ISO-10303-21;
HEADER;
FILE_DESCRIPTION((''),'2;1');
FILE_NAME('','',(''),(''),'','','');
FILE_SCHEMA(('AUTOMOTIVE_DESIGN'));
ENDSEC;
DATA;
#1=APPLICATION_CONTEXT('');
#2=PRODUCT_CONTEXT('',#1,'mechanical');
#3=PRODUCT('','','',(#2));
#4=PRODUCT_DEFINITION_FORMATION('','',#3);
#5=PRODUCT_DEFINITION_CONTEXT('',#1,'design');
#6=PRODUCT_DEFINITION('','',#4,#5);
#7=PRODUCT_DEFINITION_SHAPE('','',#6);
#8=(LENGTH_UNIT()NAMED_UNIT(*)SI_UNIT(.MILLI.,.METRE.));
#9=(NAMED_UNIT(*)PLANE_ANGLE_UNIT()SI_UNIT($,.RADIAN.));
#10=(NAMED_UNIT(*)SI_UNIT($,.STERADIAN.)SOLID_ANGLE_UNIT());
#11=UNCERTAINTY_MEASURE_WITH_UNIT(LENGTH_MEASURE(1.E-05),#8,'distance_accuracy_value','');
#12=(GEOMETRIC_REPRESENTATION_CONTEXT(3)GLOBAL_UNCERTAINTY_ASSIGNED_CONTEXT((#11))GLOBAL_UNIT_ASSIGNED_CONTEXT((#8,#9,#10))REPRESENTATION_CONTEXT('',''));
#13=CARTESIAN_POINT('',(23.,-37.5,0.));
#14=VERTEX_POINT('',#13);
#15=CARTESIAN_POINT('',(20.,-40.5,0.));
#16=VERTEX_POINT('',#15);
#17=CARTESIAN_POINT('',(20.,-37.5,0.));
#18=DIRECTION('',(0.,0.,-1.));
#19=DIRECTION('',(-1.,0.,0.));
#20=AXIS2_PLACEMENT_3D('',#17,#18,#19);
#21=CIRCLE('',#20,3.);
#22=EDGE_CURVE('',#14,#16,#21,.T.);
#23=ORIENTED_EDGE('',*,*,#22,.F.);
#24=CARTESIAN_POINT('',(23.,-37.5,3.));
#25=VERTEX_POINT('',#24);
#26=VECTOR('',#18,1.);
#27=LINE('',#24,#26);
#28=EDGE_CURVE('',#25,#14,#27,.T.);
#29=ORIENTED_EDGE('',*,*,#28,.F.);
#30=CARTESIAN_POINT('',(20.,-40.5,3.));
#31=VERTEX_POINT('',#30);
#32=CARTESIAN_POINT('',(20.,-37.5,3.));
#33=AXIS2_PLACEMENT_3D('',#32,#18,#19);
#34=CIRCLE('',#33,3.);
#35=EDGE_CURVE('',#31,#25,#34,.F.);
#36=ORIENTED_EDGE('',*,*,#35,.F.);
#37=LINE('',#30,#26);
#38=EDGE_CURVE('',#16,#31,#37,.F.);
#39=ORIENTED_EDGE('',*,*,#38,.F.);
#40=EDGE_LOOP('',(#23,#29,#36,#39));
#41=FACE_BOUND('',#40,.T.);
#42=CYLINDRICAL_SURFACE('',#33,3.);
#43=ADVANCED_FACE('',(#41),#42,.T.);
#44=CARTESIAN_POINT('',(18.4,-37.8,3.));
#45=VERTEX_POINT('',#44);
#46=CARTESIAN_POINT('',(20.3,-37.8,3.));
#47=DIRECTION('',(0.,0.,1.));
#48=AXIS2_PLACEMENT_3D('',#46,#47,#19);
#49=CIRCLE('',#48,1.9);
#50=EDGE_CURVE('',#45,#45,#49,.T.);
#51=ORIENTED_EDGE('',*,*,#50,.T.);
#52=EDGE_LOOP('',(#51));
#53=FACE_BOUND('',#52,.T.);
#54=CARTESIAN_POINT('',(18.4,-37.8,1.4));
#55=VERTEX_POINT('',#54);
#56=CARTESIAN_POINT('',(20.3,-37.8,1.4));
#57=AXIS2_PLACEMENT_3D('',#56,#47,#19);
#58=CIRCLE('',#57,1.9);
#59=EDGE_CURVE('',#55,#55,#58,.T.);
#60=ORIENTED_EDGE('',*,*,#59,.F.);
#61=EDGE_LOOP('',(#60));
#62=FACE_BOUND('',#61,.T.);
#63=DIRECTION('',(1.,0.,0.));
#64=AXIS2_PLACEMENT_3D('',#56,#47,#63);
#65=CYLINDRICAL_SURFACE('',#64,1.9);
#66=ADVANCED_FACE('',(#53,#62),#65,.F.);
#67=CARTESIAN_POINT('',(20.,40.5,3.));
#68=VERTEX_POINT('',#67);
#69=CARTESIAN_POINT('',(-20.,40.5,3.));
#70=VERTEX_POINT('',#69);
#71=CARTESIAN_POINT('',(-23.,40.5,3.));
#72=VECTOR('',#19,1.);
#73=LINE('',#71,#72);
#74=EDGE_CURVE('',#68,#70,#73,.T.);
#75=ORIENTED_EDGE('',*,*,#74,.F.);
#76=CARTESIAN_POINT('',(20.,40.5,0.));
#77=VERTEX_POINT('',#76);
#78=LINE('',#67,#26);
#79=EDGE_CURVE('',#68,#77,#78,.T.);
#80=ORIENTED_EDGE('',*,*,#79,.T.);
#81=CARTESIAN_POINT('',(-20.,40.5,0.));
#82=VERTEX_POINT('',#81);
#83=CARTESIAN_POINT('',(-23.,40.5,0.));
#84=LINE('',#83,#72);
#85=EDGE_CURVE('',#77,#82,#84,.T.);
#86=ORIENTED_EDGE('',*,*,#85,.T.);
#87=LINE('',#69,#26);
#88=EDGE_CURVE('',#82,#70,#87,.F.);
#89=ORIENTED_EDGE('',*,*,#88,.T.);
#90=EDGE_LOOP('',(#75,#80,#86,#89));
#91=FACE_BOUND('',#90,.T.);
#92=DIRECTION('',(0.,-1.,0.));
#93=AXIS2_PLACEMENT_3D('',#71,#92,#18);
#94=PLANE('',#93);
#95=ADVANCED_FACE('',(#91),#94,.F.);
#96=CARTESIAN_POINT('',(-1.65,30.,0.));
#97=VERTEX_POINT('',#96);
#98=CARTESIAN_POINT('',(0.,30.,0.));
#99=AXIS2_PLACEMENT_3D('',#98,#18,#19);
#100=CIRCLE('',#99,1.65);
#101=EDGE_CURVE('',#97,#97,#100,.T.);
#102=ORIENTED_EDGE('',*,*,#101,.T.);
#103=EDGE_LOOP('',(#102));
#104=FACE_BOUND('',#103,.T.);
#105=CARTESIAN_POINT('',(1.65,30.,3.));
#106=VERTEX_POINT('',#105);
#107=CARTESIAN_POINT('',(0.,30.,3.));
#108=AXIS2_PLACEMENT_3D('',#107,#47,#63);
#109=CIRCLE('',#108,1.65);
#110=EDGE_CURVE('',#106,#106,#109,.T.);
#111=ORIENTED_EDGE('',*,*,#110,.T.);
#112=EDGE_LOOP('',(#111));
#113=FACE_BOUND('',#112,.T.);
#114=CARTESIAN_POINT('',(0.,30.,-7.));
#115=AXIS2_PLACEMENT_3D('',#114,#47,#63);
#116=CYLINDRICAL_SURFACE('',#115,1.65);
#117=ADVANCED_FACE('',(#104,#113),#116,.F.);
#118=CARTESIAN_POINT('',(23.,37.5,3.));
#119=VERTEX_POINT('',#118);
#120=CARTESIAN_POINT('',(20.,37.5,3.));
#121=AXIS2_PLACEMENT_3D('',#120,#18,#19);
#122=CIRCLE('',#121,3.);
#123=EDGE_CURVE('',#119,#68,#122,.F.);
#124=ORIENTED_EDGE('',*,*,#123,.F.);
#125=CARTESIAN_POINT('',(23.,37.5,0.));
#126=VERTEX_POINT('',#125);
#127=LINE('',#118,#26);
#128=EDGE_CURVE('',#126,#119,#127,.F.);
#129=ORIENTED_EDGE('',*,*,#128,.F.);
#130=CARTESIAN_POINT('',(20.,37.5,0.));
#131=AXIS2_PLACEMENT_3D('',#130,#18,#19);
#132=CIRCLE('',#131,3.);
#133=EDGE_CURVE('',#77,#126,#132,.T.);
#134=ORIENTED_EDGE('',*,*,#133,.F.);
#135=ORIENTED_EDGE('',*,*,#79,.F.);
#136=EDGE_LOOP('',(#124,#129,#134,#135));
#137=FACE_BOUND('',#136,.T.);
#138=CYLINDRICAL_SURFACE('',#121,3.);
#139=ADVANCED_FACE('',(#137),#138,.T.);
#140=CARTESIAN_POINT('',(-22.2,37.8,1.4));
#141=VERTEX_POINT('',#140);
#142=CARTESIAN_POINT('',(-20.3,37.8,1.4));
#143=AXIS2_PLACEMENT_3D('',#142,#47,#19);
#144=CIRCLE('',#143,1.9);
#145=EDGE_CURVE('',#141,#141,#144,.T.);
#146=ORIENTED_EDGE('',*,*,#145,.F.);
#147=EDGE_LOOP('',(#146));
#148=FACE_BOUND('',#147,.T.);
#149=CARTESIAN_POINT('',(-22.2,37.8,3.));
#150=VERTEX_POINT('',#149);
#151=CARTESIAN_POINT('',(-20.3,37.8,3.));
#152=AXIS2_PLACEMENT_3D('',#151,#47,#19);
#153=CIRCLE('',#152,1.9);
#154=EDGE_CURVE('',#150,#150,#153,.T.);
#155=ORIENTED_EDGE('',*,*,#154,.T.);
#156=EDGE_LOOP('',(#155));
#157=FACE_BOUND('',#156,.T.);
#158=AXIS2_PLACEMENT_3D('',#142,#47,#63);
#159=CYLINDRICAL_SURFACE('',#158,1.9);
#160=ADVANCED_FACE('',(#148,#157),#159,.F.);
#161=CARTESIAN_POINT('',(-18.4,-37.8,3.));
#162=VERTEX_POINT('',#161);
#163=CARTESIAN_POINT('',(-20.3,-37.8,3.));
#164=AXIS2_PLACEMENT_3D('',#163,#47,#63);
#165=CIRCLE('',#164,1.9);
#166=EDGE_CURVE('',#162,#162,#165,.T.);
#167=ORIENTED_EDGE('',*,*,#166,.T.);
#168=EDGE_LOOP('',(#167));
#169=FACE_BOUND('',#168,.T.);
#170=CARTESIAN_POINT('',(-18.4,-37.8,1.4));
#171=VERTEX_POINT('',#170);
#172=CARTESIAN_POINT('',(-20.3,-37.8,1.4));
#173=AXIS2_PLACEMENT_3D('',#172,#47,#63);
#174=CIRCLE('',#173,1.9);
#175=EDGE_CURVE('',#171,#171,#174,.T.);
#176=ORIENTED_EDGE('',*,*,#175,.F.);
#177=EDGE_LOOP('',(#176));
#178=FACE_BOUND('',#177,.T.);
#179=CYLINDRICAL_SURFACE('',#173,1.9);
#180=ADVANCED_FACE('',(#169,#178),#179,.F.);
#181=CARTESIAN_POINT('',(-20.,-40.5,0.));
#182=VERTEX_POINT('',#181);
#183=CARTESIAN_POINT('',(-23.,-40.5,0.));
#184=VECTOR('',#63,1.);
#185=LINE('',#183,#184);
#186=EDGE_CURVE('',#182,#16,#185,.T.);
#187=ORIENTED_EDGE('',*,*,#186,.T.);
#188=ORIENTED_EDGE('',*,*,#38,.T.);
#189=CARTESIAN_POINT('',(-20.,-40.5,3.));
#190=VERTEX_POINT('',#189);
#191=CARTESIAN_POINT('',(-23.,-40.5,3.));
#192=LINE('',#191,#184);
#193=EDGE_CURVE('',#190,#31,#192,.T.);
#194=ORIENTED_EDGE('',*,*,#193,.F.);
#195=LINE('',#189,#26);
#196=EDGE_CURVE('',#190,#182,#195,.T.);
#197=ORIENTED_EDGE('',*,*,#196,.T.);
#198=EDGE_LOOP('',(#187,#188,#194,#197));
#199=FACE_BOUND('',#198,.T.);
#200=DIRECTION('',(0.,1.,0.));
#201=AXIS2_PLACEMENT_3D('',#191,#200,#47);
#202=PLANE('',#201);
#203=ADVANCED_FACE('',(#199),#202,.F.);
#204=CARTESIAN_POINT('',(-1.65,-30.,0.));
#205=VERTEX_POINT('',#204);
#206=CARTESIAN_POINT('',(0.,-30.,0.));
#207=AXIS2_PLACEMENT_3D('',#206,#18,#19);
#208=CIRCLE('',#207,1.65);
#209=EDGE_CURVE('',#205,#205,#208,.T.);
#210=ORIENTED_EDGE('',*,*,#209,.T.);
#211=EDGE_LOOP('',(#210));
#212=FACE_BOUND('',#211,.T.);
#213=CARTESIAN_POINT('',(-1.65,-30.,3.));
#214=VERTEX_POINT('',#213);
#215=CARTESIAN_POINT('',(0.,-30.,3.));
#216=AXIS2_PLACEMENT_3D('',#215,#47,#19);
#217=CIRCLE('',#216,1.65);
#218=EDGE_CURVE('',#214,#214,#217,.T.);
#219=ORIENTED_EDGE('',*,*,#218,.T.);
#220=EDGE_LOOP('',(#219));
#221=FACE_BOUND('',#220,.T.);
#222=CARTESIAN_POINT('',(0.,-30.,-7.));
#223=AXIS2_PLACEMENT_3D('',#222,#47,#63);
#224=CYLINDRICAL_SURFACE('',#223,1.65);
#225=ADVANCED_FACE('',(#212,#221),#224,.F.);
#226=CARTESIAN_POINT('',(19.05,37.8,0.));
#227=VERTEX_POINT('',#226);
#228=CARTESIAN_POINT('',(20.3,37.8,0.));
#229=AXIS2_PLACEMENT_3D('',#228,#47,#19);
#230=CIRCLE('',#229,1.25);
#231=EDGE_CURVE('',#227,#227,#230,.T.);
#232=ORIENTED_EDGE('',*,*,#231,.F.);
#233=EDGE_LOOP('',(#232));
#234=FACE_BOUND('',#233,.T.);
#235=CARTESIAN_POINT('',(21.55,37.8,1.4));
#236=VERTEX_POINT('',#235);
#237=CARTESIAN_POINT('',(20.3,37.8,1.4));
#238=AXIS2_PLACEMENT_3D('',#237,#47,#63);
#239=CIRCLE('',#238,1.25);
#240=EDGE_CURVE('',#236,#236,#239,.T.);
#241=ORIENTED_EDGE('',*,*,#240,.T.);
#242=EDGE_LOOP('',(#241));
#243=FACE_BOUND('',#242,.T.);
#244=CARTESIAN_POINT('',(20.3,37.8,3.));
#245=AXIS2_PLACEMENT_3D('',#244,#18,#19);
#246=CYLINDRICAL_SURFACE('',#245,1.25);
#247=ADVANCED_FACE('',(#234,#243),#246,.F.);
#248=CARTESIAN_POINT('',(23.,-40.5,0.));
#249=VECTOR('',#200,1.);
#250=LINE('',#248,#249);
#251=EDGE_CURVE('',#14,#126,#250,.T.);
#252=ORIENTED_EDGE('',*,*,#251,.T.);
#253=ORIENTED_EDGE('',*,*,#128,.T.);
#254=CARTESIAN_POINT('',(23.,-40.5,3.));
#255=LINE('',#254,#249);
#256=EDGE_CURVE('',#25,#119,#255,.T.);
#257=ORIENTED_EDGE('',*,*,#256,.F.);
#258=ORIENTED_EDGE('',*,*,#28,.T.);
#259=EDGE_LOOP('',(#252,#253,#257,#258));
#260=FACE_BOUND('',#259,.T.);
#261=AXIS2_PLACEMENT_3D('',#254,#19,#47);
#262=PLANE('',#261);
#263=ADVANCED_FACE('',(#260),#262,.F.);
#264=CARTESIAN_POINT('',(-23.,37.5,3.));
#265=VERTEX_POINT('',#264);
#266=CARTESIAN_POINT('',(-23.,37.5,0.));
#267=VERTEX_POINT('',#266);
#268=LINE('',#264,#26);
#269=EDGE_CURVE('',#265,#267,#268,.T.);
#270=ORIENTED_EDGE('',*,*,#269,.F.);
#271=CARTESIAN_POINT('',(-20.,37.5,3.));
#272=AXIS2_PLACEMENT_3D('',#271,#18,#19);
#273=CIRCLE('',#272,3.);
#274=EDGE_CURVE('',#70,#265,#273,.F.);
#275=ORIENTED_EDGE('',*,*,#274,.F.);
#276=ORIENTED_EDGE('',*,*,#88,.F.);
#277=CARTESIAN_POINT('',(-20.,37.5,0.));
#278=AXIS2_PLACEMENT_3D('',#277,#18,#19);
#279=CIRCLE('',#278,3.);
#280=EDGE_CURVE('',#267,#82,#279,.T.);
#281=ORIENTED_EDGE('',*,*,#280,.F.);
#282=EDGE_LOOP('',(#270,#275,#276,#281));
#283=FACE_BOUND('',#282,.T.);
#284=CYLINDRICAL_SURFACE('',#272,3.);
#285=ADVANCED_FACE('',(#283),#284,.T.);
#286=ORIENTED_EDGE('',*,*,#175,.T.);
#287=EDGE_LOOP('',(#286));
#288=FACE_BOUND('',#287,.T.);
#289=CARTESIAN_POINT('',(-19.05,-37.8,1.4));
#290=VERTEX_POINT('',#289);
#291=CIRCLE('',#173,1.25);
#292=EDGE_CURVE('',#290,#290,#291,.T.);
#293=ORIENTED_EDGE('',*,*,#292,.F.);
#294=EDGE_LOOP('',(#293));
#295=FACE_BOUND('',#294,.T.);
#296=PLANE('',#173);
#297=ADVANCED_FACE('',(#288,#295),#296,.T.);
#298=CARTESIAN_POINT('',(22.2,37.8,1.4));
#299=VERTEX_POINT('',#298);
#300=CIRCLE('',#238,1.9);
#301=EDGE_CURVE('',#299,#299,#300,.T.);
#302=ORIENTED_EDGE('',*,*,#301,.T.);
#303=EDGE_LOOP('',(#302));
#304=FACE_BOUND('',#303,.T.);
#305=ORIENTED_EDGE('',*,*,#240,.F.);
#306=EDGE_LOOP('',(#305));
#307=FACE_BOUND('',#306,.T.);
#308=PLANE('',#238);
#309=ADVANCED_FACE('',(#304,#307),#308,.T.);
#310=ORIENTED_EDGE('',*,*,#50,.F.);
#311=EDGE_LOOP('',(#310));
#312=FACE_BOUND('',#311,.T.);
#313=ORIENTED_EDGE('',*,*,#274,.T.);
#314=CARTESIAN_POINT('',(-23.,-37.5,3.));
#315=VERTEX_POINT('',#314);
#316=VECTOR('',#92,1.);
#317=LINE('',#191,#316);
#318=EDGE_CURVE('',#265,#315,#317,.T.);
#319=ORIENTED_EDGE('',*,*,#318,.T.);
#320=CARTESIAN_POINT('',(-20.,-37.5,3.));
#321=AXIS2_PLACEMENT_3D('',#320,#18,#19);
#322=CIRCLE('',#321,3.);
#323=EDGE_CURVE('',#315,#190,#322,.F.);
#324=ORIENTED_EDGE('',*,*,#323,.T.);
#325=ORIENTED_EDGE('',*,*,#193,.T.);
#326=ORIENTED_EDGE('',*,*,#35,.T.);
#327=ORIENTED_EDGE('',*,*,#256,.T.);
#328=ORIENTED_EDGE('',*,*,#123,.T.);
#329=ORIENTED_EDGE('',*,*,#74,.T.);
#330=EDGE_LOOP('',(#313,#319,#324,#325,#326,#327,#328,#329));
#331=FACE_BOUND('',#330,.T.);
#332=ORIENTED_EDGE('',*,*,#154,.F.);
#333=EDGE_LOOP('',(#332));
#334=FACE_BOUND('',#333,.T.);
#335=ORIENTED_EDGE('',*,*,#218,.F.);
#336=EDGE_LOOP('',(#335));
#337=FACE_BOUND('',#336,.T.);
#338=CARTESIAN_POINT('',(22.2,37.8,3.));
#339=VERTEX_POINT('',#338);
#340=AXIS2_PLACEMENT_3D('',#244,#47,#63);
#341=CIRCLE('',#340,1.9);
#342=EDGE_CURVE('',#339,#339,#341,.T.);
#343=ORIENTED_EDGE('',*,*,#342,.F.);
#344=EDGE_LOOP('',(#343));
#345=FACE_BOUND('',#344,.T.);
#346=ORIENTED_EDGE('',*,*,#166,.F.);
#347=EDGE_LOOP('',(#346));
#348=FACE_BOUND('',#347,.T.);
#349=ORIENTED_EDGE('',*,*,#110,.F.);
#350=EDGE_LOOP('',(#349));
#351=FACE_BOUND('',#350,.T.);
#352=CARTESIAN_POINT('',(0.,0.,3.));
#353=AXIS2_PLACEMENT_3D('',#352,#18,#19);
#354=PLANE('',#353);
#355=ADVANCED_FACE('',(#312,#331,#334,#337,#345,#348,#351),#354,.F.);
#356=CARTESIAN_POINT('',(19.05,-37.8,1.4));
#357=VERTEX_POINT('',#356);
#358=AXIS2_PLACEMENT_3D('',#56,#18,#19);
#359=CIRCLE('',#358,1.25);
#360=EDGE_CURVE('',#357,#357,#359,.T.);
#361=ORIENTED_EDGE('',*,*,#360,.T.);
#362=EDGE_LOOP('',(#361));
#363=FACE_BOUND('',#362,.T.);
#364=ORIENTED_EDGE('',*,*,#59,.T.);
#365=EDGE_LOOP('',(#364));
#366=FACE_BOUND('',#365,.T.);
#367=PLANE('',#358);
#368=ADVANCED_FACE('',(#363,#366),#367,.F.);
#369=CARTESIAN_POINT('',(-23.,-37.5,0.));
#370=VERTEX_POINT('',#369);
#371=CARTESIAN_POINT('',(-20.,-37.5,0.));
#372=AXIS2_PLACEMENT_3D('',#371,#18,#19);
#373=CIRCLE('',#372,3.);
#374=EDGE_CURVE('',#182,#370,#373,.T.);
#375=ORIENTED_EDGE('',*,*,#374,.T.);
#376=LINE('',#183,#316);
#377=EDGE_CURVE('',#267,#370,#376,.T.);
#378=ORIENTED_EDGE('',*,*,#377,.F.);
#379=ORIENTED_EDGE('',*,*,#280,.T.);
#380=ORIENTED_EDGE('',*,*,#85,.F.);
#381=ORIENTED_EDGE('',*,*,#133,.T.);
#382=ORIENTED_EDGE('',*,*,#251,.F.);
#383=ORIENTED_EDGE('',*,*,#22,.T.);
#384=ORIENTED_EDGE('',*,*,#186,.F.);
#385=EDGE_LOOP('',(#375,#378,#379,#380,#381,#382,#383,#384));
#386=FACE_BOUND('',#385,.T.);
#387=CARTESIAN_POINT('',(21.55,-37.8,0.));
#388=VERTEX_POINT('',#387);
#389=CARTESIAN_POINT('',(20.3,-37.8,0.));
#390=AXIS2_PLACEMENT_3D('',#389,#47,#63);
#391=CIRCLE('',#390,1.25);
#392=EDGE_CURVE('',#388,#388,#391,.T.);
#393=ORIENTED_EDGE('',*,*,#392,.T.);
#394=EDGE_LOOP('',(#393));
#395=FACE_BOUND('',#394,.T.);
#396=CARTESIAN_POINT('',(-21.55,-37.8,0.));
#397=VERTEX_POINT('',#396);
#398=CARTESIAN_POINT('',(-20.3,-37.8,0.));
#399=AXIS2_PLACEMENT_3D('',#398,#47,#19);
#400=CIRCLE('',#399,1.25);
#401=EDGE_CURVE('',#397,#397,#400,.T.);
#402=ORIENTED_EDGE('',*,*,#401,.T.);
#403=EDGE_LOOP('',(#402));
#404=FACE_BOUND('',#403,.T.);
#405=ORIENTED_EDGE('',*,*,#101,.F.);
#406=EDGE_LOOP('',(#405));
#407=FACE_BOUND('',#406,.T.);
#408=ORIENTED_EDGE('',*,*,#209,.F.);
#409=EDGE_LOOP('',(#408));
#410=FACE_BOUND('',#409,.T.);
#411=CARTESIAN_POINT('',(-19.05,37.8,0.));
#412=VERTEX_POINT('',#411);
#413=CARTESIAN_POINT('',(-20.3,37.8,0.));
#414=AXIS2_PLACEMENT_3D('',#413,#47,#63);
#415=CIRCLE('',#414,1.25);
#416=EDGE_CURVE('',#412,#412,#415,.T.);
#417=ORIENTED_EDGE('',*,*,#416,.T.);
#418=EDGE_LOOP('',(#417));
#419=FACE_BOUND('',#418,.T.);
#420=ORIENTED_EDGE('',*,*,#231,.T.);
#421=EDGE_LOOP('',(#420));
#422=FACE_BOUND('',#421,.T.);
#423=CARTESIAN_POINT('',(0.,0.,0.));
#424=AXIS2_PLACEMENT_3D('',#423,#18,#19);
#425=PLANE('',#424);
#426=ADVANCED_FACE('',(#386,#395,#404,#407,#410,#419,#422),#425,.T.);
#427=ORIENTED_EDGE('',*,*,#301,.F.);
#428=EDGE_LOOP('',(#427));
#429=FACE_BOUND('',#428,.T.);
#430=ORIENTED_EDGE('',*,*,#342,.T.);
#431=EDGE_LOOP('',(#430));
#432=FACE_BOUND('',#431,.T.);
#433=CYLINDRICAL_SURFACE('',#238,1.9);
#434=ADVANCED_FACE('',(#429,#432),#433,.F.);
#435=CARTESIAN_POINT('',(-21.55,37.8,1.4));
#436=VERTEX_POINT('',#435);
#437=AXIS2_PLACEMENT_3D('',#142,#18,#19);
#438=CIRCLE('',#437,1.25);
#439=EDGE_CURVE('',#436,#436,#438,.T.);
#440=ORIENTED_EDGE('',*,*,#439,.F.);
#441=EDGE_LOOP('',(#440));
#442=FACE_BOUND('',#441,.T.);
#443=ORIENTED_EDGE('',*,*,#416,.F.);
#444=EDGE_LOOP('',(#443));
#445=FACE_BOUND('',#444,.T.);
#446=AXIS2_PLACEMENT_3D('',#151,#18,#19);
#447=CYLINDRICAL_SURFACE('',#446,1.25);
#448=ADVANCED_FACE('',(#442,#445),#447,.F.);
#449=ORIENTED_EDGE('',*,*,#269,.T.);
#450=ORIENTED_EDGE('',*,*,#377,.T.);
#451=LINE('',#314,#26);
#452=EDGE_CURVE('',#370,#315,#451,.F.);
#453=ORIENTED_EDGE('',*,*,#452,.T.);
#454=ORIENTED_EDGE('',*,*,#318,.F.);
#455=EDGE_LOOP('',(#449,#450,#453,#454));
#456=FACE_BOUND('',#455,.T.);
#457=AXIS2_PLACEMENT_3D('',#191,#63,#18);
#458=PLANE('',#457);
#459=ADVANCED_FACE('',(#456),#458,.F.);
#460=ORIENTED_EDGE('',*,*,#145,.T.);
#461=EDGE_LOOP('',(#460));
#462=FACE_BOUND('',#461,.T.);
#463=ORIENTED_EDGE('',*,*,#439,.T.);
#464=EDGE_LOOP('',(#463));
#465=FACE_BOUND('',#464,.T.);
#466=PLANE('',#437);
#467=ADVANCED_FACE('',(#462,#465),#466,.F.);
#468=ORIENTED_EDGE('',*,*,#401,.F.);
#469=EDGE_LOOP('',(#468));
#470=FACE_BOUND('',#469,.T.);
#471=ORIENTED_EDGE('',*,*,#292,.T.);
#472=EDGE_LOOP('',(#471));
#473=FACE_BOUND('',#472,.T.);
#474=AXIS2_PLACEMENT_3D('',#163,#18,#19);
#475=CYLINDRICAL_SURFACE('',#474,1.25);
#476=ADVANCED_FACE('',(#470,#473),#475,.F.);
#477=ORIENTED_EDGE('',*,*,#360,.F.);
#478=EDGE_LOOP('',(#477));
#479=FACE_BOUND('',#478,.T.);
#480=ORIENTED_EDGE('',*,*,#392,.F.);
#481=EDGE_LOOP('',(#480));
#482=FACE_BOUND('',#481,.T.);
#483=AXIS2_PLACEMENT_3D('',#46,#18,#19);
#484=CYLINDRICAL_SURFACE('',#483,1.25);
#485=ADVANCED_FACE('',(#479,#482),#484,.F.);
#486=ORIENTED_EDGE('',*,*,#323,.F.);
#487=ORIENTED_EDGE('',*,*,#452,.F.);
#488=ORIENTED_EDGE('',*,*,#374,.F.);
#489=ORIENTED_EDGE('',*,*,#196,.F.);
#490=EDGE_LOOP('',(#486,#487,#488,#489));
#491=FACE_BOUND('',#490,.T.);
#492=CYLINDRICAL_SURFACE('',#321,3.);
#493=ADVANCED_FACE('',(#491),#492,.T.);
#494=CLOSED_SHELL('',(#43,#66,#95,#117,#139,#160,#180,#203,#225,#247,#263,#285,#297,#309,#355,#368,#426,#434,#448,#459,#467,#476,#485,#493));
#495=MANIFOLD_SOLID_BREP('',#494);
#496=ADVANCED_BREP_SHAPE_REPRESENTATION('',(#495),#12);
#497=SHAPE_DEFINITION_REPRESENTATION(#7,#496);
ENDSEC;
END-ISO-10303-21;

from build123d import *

# Parameters (mm, degrees)
SKETCH1_W           = 46
SKETCH1_H           = 81
SKETCH1_R           = 1.25
BOSS_EXTRUDE1_DEPTH = 3
FILLET1_R           = 3
SKETCH4_R           = 1.9
CUT_EXTRUDE2_DEPTH  = 1.6
SKETCH5_R           = 1.65
CUT_EXTRUDE3_DEPTH  = 10


with BuildPart() as part:
    # Sketch1 → Boss-Extrude1 (new body)
    with BuildSketch(Plane.XY):
        Rectangle(SKETCH1_W, SKETCH1_H)
        with Locations((-20.3, 37.8)):
            Circle(SKETCH1_R, mode=Mode.SUBTRACT)
        with Locations(Location((20.3, 37.8, 0), (0, 0, 180))):
            Circle(SKETCH1_R, mode=Mode.SUBTRACT)
        with Locations((20.3, -37.8)):
            Circle(SKETCH1_R, mode=Mode.SUBTRACT)
        with Locations(Location((-20.3, -37.8, 0), (0, 0, 180))):
            Circle(SKETCH1_R, mode=Mode.SUBTRACT)
    extrude(amount=BOSS_EXTRUDE1_DEPTH)

    # Fillet1
    fillet1_edges = [part.edges().sort_by_distance(p)[0] for p in [
        (23, -40.5, 1.5),
        (-23, -40.5, 1.5),
        (-23, 40.5, 1.5),
        (23, 40.5, 1.5),
    ]]
    fillet(fillet1_edges, radius=FILLET1_R)

    # Sketch4 → Cut-Extrude2 (cut)
    with BuildSketch(Plane.XY.offset(3)):
        with Locations((20.3, 37.8)):
            Circle(SKETCH4_R)
        with Locations(Location((-20.3, 37.8, 0), (0, 0, 180))):
            Circle(SKETCH4_R)
        with Locations((-20.3, -37.8)):
            Circle(SKETCH4_R)
        with Locations(Location((20.3, -37.8, 0), (0, 0, 180))):
            Circle(SKETCH4_R)
    extrude(amount=-CUT_EXTRUDE2_DEPTH, mode=Mode.SUBTRACT)

    # Sketch5 → Cut-Extrude3 (cut)
    with BuildSketch(Plane.XY.offset(3)):
        with Locations((0, 30)):
            Circle(SKETCH5_R)
        with Locations(Location((0, -30, 0), (0, 0, 180))):
            Circle(SKETCH5_R)
    extrude(amount=-CUT_EXTRUDE3_DEPTH, mode=Mode.SUBTRACT)


solid = part.part
